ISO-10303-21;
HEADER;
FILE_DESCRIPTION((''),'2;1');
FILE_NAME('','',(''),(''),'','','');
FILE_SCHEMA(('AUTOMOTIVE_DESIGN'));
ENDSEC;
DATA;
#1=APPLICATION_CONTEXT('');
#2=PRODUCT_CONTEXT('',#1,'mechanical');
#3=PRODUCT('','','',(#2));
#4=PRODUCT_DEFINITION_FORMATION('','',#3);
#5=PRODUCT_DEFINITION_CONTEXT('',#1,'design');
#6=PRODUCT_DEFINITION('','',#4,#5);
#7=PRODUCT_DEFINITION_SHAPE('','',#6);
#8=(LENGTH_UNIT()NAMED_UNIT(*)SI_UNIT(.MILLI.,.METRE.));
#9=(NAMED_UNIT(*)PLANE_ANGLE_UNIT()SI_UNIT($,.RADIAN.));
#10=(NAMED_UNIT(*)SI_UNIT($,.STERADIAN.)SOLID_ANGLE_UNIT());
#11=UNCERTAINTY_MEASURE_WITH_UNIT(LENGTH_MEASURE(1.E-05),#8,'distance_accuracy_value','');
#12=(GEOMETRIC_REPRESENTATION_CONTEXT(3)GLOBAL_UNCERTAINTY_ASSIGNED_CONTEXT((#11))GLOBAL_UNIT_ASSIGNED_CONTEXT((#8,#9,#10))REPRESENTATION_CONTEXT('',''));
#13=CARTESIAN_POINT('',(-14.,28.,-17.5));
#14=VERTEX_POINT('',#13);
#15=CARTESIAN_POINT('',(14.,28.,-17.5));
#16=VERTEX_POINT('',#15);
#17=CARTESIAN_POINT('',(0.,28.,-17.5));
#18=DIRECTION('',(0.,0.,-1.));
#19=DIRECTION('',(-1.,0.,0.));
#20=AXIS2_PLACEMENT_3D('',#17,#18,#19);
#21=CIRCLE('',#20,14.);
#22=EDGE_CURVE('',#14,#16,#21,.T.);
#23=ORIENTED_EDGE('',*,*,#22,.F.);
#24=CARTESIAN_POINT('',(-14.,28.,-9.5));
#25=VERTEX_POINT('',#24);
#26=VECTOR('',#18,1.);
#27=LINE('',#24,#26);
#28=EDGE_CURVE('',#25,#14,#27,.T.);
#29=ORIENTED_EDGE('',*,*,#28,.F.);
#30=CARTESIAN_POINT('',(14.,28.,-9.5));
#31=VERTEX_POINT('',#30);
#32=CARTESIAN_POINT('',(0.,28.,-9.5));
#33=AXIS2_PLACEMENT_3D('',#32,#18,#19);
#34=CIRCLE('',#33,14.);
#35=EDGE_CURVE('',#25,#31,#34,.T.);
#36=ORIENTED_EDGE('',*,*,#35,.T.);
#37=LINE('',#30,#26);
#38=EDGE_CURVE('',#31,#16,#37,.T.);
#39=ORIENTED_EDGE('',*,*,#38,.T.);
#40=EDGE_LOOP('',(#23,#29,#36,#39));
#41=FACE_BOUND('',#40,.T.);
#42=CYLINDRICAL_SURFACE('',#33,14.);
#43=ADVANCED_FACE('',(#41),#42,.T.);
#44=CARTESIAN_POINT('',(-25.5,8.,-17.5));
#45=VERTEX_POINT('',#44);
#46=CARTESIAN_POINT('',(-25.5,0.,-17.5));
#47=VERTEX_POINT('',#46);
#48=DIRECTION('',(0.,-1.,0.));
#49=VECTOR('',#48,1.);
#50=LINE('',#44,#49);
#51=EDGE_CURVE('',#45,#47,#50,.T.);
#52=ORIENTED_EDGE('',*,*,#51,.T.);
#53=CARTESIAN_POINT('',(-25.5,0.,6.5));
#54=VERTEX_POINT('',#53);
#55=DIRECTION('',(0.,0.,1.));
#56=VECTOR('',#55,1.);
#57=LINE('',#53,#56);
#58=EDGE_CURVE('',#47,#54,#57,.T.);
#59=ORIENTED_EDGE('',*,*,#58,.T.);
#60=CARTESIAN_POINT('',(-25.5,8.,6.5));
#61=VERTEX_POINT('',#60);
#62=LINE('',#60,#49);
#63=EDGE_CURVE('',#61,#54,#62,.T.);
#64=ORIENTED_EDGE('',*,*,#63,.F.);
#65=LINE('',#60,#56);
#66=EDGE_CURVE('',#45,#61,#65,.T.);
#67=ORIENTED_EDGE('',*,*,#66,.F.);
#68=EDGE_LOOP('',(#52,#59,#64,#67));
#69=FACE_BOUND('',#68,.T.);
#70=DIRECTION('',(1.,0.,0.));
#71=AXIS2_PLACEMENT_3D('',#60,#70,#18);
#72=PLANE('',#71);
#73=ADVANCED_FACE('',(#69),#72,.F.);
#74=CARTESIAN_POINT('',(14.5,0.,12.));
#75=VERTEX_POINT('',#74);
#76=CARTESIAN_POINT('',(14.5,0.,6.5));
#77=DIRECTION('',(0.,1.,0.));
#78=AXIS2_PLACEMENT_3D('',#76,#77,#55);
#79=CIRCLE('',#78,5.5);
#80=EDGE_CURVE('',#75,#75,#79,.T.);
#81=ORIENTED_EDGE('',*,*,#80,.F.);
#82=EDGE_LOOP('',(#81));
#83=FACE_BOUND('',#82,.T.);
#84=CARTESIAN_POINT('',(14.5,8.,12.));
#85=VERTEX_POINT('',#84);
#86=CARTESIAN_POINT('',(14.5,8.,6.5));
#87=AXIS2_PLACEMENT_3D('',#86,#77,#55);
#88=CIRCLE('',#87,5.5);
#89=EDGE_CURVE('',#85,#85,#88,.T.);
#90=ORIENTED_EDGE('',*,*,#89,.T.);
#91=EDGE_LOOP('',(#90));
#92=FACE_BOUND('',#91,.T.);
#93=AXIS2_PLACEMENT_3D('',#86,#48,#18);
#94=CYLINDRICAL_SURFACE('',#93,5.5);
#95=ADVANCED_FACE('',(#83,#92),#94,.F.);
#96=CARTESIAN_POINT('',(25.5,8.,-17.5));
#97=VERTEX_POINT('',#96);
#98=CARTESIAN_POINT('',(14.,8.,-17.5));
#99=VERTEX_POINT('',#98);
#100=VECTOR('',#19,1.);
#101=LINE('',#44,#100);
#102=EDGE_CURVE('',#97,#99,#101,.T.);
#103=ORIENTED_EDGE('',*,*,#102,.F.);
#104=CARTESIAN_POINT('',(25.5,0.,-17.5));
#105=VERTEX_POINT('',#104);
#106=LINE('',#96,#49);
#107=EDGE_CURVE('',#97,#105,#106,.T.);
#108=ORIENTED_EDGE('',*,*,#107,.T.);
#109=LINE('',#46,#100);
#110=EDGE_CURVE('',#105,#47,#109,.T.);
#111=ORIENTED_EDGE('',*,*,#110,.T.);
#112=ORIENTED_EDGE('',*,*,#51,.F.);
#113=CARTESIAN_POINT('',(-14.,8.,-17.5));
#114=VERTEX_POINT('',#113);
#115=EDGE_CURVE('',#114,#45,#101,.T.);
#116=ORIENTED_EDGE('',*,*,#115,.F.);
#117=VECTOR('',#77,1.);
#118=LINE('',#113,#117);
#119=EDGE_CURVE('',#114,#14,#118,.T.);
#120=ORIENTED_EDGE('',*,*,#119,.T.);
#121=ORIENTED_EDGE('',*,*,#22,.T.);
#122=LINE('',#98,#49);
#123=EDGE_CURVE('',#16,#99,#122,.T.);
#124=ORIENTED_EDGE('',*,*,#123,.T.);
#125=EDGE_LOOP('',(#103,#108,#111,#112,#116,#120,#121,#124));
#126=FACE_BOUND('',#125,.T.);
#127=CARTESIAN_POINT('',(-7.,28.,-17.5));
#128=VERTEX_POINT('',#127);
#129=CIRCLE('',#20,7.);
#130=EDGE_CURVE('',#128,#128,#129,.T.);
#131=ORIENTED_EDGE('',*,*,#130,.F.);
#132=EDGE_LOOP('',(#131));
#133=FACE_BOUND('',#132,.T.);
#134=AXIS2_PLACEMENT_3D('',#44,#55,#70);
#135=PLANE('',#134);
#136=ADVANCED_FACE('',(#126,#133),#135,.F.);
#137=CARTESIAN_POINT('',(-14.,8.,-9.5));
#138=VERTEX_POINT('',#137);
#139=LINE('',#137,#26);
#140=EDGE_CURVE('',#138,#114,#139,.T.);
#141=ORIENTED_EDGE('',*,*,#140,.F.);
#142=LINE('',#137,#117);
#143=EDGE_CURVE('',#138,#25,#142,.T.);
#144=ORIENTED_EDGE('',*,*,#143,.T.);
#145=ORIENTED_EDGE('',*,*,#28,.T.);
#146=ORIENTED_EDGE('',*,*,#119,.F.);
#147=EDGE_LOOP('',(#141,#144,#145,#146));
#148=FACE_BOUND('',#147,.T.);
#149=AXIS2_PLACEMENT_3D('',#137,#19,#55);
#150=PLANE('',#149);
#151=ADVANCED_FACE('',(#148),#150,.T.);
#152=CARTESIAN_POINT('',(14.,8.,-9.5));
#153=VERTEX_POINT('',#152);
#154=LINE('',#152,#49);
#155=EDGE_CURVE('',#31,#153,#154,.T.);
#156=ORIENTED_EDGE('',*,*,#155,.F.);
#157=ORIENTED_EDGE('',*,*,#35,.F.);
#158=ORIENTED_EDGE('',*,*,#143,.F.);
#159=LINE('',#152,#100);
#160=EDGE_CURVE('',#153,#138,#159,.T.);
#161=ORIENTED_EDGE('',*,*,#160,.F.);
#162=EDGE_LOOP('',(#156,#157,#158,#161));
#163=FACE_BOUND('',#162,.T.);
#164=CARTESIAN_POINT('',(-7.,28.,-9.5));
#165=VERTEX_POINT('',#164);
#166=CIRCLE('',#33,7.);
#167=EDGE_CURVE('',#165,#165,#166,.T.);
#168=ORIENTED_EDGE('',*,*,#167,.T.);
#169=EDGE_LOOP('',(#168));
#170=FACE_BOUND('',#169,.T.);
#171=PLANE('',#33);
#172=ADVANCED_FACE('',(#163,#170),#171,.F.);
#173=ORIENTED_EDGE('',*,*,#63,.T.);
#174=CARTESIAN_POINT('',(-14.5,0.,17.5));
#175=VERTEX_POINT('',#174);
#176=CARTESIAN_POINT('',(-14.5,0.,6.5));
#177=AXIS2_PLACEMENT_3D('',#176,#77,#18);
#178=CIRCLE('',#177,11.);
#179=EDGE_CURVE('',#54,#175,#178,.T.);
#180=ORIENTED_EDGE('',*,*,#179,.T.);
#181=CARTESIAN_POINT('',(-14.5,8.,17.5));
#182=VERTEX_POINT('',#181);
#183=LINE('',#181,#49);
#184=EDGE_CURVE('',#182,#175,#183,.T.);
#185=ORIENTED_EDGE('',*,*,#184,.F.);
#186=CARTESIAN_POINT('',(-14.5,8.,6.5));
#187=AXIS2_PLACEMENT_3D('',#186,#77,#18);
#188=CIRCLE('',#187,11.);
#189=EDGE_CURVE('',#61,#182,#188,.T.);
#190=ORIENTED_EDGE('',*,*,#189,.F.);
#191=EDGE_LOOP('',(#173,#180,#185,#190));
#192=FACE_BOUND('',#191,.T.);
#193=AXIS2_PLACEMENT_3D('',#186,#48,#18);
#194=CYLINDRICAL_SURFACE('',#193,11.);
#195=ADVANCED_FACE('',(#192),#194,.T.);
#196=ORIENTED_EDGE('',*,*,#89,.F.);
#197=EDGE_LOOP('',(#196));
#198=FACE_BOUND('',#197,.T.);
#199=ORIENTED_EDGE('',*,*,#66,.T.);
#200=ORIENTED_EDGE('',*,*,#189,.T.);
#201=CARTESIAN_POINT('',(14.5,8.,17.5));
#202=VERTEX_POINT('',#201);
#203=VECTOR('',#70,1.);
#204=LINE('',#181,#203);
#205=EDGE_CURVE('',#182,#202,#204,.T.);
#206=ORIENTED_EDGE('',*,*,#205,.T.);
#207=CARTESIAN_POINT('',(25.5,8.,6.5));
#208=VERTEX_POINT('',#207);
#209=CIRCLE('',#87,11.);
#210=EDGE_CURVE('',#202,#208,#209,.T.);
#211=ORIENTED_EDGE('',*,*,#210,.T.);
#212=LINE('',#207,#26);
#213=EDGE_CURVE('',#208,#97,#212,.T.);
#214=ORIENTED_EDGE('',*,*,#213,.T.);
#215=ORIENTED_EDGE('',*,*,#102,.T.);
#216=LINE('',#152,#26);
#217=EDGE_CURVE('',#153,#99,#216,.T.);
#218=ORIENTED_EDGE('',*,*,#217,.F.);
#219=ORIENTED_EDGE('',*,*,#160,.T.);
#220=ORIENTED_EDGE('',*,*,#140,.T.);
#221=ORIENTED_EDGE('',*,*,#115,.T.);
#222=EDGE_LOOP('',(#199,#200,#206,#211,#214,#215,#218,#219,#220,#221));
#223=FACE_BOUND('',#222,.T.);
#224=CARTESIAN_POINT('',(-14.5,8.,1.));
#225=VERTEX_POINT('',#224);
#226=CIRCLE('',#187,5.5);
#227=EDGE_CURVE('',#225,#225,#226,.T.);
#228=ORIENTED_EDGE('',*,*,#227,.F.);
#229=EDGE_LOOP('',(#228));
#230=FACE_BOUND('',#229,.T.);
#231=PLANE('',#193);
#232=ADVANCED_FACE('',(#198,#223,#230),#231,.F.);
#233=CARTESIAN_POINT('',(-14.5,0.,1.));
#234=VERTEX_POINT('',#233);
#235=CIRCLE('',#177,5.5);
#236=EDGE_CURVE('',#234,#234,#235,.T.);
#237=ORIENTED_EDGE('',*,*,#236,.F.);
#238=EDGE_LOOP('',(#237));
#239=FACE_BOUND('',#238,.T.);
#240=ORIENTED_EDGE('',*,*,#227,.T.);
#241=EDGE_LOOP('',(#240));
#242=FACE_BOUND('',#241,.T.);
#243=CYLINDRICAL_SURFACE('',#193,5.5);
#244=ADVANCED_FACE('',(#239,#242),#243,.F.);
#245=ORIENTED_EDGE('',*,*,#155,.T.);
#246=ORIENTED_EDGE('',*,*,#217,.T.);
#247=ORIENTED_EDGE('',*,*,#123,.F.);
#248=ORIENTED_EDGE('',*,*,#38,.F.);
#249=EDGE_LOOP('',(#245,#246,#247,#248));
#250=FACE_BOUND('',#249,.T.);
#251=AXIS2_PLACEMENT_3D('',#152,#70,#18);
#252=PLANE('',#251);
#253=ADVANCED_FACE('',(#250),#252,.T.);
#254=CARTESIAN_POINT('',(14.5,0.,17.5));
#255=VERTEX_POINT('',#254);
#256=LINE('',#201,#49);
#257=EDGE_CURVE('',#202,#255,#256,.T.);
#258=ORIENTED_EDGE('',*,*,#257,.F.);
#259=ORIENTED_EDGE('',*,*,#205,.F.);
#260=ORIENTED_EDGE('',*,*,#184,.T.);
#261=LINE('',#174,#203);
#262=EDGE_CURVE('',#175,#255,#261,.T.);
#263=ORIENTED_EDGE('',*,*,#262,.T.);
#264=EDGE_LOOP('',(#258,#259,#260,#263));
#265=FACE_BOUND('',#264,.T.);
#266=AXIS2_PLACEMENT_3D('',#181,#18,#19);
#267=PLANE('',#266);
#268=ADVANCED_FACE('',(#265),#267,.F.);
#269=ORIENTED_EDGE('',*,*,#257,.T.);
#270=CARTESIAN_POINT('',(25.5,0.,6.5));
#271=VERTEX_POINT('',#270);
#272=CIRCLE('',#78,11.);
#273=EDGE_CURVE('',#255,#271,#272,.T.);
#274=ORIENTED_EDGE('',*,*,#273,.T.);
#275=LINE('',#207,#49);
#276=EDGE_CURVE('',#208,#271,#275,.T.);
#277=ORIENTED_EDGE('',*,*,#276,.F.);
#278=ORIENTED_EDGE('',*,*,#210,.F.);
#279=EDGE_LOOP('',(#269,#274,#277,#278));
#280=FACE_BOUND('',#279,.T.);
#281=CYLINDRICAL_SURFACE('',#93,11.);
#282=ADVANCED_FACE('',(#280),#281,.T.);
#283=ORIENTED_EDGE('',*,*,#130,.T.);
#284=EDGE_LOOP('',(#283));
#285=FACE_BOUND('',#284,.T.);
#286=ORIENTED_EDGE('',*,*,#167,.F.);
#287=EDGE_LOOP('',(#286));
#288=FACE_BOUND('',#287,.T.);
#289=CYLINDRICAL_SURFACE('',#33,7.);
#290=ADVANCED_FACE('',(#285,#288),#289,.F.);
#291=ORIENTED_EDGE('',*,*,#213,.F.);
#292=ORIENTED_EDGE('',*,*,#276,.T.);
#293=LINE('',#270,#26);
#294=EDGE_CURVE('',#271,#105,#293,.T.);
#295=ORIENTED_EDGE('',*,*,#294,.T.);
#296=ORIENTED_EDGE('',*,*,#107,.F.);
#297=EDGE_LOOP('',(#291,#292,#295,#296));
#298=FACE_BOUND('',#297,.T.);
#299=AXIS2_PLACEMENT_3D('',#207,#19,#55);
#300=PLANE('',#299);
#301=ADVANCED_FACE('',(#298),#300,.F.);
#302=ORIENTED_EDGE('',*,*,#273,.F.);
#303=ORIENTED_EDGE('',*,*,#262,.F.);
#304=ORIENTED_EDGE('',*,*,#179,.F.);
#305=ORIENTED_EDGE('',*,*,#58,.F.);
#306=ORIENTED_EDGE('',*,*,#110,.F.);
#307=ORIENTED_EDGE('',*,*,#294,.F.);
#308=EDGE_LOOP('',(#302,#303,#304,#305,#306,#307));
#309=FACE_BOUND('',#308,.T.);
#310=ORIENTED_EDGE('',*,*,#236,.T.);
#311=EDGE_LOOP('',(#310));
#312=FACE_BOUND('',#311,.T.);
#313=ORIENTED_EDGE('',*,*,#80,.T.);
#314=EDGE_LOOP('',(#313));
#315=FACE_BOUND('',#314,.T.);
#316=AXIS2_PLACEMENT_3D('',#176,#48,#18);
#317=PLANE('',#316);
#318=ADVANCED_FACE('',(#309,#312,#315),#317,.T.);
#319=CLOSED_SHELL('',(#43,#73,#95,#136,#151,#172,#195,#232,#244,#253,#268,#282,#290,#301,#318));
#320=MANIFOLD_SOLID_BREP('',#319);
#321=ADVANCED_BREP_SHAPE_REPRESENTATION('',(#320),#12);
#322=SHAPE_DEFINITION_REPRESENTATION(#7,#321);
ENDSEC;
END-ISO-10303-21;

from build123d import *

# Parameters (mm, degrees)
SKETCH_1_R      = 5.5
EXTRUDE_1_DEPTH = 8
SKETCH_2_R      = 7
EXTRUDE_2_DEPTH = 8


with BuildPart() as part:
    # 草图1 → 凸台-拉伸1 (new body)
    with BuildSketch(Plane(origin=(0, 0, 0), x_dir=(1, 0, 0), z_dir=(0, 1, 0))):
        with BuildLine():
            Line((-14.5, -17.5), (14.5, -17.5))
            ThreePointArc((14.5, -17.5), (22.278174593, -14.278174593), (25.5, -6.5))
            Line((25.5, -6.5), (25.5, 17.5))
            Line((25.5, 17.5), (-25.5, 17.5))
            Line((-25.5, 17.5), (-25.5, -6.5))
            ThreePointArc((-25.5, -6.5), (-22.278174593, -14.278174593), (-14.5, -17.5))
        make_face()
        with Locations(Location((14.5, -6.5, 0), (0, 0, 270))):
            Circle(SKETCH_1_R, mode=Mode.SUBTRACT)
        with Locations(Location((-14.5, -6.5, 0), (0, 0, 90))):
            Circle(SKETCH_1_R, mode=Mode.SUBTRACT)
    extrude(amount=EXTRUDE_1_DEPTH)

    # 草图2 → 凸台-拉伸2 (add)
    with BuildSketch(Plane(origin=(0, 0, -17.5), x_dir=(-1, 0, 0), z_dir=(0, 0, -1))):
        with BuildLine():
            Line((-14, 8), (14, 8))
            Line((14, 8), (14, 28))
            ThreePointArc((14, 28), (0, 42), (-14, 28))
            Line((-14, 28), (-14, 8))
        make_face()
        with Locations((0, 28)):
            Circle(SKETCH_2_R, mode=Mode.SUBTRACT)
    extrude(amount=-EXTRUDE_2_DEPTH)


solid = part.part
